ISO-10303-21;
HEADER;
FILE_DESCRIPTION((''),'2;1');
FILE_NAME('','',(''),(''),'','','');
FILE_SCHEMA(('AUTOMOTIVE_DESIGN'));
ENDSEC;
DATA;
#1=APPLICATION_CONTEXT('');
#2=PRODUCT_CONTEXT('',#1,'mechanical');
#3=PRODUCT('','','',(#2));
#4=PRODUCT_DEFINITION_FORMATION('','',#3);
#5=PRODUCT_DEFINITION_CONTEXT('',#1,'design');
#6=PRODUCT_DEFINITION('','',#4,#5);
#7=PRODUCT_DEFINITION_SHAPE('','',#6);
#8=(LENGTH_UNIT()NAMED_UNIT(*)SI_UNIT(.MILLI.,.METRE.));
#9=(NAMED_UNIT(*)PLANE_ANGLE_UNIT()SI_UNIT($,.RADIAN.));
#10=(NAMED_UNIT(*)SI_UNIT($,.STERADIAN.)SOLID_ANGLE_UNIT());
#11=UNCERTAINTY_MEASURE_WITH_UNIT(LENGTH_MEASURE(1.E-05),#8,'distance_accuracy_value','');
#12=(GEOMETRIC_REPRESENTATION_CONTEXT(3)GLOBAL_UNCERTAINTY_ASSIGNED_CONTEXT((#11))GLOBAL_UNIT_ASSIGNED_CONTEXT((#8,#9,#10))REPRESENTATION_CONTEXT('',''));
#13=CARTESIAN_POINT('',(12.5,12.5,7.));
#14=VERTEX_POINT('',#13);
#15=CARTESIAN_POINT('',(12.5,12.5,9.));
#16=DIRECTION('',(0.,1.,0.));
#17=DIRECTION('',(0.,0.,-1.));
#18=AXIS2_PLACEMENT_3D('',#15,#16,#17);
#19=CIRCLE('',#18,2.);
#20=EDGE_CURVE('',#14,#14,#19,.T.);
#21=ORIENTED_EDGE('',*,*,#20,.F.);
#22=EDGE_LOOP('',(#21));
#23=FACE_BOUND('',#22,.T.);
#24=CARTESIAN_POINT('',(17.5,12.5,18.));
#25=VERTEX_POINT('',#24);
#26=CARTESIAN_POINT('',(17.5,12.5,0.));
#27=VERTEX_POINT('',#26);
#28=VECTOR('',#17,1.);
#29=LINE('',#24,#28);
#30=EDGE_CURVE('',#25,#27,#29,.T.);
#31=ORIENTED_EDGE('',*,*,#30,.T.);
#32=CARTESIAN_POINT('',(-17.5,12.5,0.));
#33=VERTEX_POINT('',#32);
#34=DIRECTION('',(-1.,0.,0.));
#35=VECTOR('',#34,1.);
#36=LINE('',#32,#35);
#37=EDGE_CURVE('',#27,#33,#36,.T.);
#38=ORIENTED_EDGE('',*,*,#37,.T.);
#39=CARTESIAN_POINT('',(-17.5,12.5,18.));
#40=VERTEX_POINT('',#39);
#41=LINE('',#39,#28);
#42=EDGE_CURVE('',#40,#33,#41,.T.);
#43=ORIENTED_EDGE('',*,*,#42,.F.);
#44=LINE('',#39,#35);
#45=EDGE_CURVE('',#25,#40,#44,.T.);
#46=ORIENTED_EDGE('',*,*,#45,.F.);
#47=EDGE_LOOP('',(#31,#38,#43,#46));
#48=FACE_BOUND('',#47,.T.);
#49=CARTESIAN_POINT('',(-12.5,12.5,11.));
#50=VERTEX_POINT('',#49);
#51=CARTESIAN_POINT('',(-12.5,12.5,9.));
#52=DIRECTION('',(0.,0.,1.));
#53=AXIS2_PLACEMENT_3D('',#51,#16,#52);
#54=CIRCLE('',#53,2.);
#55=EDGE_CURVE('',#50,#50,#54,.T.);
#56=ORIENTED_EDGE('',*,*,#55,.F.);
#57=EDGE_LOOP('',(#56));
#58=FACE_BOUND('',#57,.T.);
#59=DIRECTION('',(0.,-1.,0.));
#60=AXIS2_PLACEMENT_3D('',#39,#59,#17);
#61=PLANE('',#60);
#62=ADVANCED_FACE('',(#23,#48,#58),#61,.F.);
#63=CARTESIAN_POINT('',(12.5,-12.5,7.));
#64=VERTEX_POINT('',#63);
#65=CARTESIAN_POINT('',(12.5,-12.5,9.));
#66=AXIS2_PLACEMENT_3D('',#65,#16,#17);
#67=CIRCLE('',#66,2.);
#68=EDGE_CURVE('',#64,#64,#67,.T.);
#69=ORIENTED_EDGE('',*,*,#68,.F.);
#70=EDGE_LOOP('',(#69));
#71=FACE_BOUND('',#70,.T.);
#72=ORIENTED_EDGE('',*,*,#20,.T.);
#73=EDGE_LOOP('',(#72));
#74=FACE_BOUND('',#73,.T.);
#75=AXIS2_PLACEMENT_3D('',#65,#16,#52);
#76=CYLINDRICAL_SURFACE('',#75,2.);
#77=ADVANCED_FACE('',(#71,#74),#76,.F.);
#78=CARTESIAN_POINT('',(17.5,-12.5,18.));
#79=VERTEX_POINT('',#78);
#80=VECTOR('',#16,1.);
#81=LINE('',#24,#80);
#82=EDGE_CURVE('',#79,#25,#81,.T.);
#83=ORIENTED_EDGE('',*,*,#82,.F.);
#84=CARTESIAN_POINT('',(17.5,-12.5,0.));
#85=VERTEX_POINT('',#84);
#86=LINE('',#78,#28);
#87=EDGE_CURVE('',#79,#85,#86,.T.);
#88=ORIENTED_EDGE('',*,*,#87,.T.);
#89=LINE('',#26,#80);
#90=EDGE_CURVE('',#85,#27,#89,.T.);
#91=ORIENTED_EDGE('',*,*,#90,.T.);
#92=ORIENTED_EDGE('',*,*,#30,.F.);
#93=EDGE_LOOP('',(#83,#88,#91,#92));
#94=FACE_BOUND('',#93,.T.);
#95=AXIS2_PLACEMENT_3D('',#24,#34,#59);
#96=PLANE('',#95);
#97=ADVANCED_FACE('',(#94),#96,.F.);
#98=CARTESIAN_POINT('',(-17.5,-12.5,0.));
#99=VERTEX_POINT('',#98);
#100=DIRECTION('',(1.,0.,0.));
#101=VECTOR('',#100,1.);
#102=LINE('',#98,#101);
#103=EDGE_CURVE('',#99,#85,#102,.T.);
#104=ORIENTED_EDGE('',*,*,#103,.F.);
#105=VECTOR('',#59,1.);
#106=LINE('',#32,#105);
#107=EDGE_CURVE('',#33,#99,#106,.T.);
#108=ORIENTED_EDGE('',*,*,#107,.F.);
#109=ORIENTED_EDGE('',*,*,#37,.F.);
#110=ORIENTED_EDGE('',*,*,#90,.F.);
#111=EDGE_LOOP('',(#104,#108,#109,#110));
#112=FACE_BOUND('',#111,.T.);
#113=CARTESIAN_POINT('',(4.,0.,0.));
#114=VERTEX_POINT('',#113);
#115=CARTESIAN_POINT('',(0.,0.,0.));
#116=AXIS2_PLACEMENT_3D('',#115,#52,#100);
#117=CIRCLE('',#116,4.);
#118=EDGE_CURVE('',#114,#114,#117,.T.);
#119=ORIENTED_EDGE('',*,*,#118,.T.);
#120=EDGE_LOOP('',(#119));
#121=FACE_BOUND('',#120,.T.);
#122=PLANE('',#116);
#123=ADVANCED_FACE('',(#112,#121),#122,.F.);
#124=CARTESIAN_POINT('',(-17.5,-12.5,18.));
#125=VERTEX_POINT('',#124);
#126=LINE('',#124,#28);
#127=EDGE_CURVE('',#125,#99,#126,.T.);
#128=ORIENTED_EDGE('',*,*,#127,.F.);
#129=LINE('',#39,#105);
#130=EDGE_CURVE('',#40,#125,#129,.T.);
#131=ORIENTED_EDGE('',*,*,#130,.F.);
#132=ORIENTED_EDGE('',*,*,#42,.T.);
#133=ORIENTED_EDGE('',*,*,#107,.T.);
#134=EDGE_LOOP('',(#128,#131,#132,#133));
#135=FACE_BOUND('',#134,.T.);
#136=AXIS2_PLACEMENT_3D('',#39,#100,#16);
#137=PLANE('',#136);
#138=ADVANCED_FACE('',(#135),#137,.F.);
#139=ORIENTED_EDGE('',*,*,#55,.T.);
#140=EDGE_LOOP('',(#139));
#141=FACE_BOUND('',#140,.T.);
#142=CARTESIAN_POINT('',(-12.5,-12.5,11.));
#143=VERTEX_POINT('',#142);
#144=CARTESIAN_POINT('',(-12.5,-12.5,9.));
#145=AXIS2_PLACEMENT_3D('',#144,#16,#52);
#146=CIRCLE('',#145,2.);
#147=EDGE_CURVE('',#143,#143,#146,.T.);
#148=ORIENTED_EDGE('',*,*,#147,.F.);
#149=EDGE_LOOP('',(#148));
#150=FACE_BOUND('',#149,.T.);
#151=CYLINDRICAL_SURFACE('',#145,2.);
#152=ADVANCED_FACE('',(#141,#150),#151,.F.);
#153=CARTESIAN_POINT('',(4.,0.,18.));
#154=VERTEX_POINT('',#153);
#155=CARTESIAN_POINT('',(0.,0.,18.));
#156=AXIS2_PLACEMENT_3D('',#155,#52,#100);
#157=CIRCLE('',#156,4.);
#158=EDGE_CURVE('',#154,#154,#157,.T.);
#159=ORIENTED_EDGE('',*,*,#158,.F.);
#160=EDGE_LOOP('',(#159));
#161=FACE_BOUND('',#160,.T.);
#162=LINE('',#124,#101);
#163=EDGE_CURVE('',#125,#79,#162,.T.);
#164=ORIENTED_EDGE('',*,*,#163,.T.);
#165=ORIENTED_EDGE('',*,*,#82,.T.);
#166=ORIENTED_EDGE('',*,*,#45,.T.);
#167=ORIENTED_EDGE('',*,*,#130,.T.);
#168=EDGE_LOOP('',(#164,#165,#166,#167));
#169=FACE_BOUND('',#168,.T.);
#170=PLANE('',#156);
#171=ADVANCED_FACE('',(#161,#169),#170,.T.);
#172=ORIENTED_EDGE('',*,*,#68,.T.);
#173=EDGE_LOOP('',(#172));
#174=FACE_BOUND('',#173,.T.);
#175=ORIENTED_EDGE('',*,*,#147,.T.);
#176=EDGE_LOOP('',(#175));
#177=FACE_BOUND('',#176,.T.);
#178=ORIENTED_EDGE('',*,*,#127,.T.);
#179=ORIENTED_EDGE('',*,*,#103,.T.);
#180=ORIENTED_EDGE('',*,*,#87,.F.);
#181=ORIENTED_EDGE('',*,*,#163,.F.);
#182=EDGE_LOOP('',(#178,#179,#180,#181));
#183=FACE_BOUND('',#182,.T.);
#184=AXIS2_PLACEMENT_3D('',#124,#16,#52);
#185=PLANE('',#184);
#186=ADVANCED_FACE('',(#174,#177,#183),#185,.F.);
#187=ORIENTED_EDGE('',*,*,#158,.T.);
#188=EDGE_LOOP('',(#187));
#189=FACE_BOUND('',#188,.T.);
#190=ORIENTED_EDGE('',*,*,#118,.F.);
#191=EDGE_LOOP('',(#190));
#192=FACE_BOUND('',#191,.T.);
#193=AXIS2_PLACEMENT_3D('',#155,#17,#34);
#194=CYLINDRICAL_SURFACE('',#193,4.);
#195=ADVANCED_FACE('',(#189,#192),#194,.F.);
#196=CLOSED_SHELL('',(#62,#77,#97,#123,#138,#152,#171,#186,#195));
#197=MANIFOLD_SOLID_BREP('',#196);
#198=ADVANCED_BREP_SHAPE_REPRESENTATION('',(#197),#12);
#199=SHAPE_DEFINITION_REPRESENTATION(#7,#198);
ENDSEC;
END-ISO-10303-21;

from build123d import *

# Parameters (mm, degrees)
SKETCH1_W           = 35
SKETCH1_H           = 25
SKETCH1_R           = 4
BOSS_EXTRUDE1_DEPTH = 18
SKETCH3_R           = 2
CUT_EXTRUDE1_DEPTH  = 36.429507476


with BuildPart() as part:
    # Sketch1 → Boss-Extrude1 (new body)
    with BuildSketch(Plane.XY):
        Rectangle(SKETCH1_W, SKETCH1_H)
        Circle(SKETCH1_R, mode=Mode.SUBTRACT)
    extrude(amount=BOSS_EXTRUDE1_DEPTH)

    # Sketch3 → Cut-Extrude1 (cut, through all)
    with BuildSketch(Plane(origin=(0, 12.5, 0), x_dir=(1, 0, 0), z_dir=(0, 1, 0))):
        with Locations(Location((-12.5, -9, 0), (0, 0, 270))):
            Circle(SKETCH3_R)
        with Locations(Location((12.5, -9, 0), (0, 0, 90))):
            Circle(SKETCH3_R)
    extrude(amount=-CUT_EXTRUDE1_DEPTH, mode=Mode.SUBTRACT)


solid = part.part
